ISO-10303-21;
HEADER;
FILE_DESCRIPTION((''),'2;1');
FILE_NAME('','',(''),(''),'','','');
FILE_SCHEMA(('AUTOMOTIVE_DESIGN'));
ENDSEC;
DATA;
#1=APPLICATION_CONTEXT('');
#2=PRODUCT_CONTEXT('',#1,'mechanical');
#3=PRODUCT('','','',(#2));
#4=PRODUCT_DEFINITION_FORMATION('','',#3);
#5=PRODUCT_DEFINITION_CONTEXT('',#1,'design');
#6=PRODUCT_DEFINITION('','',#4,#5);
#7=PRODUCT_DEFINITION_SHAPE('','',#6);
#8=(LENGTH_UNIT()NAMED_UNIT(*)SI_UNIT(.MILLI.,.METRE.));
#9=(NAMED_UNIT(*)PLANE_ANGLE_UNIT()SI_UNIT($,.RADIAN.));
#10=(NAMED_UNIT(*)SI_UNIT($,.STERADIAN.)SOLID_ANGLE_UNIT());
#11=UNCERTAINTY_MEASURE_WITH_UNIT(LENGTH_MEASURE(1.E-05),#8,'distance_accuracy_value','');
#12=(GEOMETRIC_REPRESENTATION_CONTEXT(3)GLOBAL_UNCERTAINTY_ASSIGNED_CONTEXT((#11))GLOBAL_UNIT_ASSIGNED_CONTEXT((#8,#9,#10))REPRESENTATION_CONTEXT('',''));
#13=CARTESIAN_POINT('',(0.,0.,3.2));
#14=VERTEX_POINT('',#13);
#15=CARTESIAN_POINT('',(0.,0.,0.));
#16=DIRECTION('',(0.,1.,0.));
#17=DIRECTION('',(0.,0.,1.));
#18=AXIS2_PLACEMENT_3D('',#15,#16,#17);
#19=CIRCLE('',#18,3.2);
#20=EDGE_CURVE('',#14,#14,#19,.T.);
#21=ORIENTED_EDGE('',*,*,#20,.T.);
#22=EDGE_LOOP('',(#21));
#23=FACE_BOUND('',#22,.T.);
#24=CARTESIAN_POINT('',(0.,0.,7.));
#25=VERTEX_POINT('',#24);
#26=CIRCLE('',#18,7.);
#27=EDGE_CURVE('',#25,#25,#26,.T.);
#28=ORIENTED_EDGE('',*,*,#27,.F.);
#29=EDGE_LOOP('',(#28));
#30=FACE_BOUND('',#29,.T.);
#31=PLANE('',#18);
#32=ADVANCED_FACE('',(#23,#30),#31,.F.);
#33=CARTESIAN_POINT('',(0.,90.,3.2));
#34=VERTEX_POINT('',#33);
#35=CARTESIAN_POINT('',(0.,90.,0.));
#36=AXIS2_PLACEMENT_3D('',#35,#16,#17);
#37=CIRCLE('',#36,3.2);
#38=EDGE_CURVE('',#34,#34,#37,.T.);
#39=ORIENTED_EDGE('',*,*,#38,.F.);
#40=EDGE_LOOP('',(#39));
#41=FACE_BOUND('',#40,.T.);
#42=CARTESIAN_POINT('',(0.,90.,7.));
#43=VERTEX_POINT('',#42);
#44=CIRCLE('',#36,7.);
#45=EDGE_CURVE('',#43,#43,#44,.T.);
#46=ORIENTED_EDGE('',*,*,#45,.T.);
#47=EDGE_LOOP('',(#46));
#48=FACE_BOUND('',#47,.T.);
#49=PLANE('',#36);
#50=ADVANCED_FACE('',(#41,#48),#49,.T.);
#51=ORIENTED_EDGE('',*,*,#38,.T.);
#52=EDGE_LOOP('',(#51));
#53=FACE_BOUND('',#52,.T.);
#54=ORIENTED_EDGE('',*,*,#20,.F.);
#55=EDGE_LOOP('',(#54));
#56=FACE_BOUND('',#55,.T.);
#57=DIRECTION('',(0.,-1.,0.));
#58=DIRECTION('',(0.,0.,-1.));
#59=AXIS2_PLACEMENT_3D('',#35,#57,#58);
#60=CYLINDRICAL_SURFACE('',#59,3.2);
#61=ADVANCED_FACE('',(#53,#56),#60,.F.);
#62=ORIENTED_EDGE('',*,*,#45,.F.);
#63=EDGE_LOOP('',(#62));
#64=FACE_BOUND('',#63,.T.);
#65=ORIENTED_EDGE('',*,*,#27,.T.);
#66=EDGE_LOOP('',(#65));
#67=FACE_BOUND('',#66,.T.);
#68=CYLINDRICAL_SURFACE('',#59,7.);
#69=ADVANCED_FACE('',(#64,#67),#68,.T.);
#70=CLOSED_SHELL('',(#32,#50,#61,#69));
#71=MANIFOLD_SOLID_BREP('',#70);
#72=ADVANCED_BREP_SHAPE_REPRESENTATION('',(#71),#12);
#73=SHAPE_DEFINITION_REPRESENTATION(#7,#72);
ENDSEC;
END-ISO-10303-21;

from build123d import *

# Parameters (mm, degrees)
SKETCH1_R           = 7
SKETCH1_R_2         = 3.2
BOSS_EXTRUDE1_DEPTH = 90


with BuildPart() as part:
    # Sketch1 → Boss-Extrude1 (new body)
    with BuildSketch(Plane(origin=(0, 0, 0), x_dir=(1, 0, 0), z_dir=(0, 1, 0))):
        Circle(SKETCH1_R)
        Circle(SKETCH1_R_2, mode=Mode.SUBTRACT)
    extrude(amount=BOSS_EXTRUDE1_DEPTH)


solid = part.part
